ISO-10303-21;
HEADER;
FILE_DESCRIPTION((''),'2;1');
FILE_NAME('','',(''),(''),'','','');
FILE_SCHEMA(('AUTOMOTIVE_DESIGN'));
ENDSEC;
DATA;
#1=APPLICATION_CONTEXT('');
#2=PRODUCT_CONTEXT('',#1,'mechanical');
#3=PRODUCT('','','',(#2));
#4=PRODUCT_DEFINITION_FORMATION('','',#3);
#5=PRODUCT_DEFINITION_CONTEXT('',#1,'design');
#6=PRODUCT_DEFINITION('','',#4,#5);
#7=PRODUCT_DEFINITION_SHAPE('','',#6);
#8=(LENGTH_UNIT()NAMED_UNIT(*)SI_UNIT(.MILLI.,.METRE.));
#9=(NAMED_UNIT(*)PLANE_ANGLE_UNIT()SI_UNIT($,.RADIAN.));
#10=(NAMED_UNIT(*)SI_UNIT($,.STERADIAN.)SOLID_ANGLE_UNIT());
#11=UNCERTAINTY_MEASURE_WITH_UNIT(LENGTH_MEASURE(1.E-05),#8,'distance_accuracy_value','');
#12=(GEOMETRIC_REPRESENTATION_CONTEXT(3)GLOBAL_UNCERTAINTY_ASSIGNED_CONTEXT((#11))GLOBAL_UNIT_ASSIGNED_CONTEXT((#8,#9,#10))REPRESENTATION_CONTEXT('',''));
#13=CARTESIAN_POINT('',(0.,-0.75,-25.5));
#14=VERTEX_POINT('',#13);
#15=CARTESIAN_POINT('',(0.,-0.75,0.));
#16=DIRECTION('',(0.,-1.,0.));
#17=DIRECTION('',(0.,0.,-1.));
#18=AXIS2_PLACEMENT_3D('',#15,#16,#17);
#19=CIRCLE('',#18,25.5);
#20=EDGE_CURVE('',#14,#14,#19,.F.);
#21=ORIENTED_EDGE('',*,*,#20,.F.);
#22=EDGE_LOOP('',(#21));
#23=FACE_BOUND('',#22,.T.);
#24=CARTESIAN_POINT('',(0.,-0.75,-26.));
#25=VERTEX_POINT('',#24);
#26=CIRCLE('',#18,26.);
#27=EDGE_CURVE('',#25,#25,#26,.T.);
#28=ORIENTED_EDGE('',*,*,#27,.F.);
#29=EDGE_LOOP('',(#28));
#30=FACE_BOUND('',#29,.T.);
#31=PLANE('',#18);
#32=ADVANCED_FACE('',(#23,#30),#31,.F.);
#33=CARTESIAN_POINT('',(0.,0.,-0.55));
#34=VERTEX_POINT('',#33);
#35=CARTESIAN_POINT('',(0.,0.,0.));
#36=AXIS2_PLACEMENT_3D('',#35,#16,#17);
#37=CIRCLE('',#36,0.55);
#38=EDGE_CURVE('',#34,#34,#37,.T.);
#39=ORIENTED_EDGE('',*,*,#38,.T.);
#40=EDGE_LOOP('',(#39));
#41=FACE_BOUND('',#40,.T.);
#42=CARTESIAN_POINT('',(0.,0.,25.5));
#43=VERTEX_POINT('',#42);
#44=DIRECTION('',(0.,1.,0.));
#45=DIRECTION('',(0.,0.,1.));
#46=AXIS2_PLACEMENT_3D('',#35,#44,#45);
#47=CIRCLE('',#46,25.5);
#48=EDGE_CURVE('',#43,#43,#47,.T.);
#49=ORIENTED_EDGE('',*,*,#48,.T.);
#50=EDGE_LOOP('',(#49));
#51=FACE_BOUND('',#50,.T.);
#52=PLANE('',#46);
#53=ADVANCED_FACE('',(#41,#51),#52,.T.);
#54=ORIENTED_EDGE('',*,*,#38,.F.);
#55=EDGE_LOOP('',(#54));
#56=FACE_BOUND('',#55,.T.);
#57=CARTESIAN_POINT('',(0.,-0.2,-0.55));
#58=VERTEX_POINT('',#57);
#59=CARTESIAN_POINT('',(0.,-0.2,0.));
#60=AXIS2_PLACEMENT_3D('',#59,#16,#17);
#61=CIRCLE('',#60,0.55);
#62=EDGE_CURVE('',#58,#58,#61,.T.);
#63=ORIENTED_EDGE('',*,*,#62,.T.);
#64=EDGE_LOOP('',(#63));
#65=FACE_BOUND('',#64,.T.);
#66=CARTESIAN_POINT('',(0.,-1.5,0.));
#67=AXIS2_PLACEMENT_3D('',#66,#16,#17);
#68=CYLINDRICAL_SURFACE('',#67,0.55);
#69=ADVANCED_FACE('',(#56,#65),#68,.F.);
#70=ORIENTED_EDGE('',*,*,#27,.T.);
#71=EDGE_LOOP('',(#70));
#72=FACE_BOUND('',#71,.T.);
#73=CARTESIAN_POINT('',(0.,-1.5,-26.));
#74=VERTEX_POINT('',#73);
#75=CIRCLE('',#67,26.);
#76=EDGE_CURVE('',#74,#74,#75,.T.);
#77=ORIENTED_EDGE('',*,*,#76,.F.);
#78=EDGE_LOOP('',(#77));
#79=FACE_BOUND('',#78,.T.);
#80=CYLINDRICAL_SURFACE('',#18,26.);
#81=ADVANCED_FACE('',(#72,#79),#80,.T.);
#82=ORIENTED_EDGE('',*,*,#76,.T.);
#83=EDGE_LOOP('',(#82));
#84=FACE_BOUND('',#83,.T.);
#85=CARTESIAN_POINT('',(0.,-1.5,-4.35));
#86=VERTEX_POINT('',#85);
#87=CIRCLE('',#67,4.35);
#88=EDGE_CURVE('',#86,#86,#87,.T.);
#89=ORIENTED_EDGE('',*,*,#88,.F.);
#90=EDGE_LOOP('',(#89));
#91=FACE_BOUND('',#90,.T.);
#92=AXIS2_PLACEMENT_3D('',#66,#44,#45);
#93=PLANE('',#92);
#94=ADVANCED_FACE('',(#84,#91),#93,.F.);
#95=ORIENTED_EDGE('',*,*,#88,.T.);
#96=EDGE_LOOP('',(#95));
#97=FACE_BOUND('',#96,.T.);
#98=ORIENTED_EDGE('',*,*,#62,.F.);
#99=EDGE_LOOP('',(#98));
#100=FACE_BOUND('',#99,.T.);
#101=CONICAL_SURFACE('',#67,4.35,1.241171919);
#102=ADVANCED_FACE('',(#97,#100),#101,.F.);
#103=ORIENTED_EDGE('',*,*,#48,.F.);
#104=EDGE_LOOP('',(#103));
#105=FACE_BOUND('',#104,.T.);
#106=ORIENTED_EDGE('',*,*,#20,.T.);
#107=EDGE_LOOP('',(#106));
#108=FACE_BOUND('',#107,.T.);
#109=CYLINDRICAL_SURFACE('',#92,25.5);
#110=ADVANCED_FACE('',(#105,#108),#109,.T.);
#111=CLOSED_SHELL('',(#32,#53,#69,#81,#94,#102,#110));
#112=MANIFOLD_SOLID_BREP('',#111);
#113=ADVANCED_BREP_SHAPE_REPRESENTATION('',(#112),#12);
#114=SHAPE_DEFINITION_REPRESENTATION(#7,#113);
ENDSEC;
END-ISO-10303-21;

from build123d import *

# Parameters (mm, degrees)
SKETCH1_R           = 25.5
BOSS_EXTRUDE1_DEPTH = 1.5
SKETCH2_R           = 26
BOSS_EXTRUDE2_DEPTH = 0.75
SKETCH3_R           = 0.6
CUT_EXTRUDE1_DEPTH  = 1.75


with BuildPart() as part:
    # Sketch1 → Boss-Extrude1 (new body)
    with BuildSketch(Plane(origin=(0, 0, 0), x_dir=(1, 0, 0), z_dir=(0, 1, 0))):
        Circle(SKETCH1_R)
    extrude(amount=-BOSS_EXTRUDE1_DEPTH)

    # Sketch2 → Boss-Extrude2 (add)
    with BuildSketch(Plane(origin=(0, -1.5, 0), x_dir=(-1, 0, 0), z_dir=(0, -1, 0))):
        Circle(SKETCH2_R)
    extrude(amount=-BOSS_EXTRUDE2_DEPTH)

    # Sketch3 → Cut-Extrude1 (cut, through all)
    with BuildSketch(Plane(origin=(0, -0.75, 0), x_dir=(1, 0, 0), z_dir=(0, 1, 0))):
        Circle(SKETCH3_R)
    extrude(amount=-CUT_EXTRUDE1_DEPTH, mode=Mode.SUBTRACT)

    # Sketch4 → Cut-Revolve1 (revolve, cut)
    with BuildSketch(Plane.XY):
        Polygon((-4.35, -1.5), (0, -1.5), (0, 0), (-0.55, 0), (-0.55, -0.2), align=None)
    revolve(axis=Axis((0, -1.5, 0), (0, 1, 0)), mode=Mode.SUBTRACT)


solid = part.part
